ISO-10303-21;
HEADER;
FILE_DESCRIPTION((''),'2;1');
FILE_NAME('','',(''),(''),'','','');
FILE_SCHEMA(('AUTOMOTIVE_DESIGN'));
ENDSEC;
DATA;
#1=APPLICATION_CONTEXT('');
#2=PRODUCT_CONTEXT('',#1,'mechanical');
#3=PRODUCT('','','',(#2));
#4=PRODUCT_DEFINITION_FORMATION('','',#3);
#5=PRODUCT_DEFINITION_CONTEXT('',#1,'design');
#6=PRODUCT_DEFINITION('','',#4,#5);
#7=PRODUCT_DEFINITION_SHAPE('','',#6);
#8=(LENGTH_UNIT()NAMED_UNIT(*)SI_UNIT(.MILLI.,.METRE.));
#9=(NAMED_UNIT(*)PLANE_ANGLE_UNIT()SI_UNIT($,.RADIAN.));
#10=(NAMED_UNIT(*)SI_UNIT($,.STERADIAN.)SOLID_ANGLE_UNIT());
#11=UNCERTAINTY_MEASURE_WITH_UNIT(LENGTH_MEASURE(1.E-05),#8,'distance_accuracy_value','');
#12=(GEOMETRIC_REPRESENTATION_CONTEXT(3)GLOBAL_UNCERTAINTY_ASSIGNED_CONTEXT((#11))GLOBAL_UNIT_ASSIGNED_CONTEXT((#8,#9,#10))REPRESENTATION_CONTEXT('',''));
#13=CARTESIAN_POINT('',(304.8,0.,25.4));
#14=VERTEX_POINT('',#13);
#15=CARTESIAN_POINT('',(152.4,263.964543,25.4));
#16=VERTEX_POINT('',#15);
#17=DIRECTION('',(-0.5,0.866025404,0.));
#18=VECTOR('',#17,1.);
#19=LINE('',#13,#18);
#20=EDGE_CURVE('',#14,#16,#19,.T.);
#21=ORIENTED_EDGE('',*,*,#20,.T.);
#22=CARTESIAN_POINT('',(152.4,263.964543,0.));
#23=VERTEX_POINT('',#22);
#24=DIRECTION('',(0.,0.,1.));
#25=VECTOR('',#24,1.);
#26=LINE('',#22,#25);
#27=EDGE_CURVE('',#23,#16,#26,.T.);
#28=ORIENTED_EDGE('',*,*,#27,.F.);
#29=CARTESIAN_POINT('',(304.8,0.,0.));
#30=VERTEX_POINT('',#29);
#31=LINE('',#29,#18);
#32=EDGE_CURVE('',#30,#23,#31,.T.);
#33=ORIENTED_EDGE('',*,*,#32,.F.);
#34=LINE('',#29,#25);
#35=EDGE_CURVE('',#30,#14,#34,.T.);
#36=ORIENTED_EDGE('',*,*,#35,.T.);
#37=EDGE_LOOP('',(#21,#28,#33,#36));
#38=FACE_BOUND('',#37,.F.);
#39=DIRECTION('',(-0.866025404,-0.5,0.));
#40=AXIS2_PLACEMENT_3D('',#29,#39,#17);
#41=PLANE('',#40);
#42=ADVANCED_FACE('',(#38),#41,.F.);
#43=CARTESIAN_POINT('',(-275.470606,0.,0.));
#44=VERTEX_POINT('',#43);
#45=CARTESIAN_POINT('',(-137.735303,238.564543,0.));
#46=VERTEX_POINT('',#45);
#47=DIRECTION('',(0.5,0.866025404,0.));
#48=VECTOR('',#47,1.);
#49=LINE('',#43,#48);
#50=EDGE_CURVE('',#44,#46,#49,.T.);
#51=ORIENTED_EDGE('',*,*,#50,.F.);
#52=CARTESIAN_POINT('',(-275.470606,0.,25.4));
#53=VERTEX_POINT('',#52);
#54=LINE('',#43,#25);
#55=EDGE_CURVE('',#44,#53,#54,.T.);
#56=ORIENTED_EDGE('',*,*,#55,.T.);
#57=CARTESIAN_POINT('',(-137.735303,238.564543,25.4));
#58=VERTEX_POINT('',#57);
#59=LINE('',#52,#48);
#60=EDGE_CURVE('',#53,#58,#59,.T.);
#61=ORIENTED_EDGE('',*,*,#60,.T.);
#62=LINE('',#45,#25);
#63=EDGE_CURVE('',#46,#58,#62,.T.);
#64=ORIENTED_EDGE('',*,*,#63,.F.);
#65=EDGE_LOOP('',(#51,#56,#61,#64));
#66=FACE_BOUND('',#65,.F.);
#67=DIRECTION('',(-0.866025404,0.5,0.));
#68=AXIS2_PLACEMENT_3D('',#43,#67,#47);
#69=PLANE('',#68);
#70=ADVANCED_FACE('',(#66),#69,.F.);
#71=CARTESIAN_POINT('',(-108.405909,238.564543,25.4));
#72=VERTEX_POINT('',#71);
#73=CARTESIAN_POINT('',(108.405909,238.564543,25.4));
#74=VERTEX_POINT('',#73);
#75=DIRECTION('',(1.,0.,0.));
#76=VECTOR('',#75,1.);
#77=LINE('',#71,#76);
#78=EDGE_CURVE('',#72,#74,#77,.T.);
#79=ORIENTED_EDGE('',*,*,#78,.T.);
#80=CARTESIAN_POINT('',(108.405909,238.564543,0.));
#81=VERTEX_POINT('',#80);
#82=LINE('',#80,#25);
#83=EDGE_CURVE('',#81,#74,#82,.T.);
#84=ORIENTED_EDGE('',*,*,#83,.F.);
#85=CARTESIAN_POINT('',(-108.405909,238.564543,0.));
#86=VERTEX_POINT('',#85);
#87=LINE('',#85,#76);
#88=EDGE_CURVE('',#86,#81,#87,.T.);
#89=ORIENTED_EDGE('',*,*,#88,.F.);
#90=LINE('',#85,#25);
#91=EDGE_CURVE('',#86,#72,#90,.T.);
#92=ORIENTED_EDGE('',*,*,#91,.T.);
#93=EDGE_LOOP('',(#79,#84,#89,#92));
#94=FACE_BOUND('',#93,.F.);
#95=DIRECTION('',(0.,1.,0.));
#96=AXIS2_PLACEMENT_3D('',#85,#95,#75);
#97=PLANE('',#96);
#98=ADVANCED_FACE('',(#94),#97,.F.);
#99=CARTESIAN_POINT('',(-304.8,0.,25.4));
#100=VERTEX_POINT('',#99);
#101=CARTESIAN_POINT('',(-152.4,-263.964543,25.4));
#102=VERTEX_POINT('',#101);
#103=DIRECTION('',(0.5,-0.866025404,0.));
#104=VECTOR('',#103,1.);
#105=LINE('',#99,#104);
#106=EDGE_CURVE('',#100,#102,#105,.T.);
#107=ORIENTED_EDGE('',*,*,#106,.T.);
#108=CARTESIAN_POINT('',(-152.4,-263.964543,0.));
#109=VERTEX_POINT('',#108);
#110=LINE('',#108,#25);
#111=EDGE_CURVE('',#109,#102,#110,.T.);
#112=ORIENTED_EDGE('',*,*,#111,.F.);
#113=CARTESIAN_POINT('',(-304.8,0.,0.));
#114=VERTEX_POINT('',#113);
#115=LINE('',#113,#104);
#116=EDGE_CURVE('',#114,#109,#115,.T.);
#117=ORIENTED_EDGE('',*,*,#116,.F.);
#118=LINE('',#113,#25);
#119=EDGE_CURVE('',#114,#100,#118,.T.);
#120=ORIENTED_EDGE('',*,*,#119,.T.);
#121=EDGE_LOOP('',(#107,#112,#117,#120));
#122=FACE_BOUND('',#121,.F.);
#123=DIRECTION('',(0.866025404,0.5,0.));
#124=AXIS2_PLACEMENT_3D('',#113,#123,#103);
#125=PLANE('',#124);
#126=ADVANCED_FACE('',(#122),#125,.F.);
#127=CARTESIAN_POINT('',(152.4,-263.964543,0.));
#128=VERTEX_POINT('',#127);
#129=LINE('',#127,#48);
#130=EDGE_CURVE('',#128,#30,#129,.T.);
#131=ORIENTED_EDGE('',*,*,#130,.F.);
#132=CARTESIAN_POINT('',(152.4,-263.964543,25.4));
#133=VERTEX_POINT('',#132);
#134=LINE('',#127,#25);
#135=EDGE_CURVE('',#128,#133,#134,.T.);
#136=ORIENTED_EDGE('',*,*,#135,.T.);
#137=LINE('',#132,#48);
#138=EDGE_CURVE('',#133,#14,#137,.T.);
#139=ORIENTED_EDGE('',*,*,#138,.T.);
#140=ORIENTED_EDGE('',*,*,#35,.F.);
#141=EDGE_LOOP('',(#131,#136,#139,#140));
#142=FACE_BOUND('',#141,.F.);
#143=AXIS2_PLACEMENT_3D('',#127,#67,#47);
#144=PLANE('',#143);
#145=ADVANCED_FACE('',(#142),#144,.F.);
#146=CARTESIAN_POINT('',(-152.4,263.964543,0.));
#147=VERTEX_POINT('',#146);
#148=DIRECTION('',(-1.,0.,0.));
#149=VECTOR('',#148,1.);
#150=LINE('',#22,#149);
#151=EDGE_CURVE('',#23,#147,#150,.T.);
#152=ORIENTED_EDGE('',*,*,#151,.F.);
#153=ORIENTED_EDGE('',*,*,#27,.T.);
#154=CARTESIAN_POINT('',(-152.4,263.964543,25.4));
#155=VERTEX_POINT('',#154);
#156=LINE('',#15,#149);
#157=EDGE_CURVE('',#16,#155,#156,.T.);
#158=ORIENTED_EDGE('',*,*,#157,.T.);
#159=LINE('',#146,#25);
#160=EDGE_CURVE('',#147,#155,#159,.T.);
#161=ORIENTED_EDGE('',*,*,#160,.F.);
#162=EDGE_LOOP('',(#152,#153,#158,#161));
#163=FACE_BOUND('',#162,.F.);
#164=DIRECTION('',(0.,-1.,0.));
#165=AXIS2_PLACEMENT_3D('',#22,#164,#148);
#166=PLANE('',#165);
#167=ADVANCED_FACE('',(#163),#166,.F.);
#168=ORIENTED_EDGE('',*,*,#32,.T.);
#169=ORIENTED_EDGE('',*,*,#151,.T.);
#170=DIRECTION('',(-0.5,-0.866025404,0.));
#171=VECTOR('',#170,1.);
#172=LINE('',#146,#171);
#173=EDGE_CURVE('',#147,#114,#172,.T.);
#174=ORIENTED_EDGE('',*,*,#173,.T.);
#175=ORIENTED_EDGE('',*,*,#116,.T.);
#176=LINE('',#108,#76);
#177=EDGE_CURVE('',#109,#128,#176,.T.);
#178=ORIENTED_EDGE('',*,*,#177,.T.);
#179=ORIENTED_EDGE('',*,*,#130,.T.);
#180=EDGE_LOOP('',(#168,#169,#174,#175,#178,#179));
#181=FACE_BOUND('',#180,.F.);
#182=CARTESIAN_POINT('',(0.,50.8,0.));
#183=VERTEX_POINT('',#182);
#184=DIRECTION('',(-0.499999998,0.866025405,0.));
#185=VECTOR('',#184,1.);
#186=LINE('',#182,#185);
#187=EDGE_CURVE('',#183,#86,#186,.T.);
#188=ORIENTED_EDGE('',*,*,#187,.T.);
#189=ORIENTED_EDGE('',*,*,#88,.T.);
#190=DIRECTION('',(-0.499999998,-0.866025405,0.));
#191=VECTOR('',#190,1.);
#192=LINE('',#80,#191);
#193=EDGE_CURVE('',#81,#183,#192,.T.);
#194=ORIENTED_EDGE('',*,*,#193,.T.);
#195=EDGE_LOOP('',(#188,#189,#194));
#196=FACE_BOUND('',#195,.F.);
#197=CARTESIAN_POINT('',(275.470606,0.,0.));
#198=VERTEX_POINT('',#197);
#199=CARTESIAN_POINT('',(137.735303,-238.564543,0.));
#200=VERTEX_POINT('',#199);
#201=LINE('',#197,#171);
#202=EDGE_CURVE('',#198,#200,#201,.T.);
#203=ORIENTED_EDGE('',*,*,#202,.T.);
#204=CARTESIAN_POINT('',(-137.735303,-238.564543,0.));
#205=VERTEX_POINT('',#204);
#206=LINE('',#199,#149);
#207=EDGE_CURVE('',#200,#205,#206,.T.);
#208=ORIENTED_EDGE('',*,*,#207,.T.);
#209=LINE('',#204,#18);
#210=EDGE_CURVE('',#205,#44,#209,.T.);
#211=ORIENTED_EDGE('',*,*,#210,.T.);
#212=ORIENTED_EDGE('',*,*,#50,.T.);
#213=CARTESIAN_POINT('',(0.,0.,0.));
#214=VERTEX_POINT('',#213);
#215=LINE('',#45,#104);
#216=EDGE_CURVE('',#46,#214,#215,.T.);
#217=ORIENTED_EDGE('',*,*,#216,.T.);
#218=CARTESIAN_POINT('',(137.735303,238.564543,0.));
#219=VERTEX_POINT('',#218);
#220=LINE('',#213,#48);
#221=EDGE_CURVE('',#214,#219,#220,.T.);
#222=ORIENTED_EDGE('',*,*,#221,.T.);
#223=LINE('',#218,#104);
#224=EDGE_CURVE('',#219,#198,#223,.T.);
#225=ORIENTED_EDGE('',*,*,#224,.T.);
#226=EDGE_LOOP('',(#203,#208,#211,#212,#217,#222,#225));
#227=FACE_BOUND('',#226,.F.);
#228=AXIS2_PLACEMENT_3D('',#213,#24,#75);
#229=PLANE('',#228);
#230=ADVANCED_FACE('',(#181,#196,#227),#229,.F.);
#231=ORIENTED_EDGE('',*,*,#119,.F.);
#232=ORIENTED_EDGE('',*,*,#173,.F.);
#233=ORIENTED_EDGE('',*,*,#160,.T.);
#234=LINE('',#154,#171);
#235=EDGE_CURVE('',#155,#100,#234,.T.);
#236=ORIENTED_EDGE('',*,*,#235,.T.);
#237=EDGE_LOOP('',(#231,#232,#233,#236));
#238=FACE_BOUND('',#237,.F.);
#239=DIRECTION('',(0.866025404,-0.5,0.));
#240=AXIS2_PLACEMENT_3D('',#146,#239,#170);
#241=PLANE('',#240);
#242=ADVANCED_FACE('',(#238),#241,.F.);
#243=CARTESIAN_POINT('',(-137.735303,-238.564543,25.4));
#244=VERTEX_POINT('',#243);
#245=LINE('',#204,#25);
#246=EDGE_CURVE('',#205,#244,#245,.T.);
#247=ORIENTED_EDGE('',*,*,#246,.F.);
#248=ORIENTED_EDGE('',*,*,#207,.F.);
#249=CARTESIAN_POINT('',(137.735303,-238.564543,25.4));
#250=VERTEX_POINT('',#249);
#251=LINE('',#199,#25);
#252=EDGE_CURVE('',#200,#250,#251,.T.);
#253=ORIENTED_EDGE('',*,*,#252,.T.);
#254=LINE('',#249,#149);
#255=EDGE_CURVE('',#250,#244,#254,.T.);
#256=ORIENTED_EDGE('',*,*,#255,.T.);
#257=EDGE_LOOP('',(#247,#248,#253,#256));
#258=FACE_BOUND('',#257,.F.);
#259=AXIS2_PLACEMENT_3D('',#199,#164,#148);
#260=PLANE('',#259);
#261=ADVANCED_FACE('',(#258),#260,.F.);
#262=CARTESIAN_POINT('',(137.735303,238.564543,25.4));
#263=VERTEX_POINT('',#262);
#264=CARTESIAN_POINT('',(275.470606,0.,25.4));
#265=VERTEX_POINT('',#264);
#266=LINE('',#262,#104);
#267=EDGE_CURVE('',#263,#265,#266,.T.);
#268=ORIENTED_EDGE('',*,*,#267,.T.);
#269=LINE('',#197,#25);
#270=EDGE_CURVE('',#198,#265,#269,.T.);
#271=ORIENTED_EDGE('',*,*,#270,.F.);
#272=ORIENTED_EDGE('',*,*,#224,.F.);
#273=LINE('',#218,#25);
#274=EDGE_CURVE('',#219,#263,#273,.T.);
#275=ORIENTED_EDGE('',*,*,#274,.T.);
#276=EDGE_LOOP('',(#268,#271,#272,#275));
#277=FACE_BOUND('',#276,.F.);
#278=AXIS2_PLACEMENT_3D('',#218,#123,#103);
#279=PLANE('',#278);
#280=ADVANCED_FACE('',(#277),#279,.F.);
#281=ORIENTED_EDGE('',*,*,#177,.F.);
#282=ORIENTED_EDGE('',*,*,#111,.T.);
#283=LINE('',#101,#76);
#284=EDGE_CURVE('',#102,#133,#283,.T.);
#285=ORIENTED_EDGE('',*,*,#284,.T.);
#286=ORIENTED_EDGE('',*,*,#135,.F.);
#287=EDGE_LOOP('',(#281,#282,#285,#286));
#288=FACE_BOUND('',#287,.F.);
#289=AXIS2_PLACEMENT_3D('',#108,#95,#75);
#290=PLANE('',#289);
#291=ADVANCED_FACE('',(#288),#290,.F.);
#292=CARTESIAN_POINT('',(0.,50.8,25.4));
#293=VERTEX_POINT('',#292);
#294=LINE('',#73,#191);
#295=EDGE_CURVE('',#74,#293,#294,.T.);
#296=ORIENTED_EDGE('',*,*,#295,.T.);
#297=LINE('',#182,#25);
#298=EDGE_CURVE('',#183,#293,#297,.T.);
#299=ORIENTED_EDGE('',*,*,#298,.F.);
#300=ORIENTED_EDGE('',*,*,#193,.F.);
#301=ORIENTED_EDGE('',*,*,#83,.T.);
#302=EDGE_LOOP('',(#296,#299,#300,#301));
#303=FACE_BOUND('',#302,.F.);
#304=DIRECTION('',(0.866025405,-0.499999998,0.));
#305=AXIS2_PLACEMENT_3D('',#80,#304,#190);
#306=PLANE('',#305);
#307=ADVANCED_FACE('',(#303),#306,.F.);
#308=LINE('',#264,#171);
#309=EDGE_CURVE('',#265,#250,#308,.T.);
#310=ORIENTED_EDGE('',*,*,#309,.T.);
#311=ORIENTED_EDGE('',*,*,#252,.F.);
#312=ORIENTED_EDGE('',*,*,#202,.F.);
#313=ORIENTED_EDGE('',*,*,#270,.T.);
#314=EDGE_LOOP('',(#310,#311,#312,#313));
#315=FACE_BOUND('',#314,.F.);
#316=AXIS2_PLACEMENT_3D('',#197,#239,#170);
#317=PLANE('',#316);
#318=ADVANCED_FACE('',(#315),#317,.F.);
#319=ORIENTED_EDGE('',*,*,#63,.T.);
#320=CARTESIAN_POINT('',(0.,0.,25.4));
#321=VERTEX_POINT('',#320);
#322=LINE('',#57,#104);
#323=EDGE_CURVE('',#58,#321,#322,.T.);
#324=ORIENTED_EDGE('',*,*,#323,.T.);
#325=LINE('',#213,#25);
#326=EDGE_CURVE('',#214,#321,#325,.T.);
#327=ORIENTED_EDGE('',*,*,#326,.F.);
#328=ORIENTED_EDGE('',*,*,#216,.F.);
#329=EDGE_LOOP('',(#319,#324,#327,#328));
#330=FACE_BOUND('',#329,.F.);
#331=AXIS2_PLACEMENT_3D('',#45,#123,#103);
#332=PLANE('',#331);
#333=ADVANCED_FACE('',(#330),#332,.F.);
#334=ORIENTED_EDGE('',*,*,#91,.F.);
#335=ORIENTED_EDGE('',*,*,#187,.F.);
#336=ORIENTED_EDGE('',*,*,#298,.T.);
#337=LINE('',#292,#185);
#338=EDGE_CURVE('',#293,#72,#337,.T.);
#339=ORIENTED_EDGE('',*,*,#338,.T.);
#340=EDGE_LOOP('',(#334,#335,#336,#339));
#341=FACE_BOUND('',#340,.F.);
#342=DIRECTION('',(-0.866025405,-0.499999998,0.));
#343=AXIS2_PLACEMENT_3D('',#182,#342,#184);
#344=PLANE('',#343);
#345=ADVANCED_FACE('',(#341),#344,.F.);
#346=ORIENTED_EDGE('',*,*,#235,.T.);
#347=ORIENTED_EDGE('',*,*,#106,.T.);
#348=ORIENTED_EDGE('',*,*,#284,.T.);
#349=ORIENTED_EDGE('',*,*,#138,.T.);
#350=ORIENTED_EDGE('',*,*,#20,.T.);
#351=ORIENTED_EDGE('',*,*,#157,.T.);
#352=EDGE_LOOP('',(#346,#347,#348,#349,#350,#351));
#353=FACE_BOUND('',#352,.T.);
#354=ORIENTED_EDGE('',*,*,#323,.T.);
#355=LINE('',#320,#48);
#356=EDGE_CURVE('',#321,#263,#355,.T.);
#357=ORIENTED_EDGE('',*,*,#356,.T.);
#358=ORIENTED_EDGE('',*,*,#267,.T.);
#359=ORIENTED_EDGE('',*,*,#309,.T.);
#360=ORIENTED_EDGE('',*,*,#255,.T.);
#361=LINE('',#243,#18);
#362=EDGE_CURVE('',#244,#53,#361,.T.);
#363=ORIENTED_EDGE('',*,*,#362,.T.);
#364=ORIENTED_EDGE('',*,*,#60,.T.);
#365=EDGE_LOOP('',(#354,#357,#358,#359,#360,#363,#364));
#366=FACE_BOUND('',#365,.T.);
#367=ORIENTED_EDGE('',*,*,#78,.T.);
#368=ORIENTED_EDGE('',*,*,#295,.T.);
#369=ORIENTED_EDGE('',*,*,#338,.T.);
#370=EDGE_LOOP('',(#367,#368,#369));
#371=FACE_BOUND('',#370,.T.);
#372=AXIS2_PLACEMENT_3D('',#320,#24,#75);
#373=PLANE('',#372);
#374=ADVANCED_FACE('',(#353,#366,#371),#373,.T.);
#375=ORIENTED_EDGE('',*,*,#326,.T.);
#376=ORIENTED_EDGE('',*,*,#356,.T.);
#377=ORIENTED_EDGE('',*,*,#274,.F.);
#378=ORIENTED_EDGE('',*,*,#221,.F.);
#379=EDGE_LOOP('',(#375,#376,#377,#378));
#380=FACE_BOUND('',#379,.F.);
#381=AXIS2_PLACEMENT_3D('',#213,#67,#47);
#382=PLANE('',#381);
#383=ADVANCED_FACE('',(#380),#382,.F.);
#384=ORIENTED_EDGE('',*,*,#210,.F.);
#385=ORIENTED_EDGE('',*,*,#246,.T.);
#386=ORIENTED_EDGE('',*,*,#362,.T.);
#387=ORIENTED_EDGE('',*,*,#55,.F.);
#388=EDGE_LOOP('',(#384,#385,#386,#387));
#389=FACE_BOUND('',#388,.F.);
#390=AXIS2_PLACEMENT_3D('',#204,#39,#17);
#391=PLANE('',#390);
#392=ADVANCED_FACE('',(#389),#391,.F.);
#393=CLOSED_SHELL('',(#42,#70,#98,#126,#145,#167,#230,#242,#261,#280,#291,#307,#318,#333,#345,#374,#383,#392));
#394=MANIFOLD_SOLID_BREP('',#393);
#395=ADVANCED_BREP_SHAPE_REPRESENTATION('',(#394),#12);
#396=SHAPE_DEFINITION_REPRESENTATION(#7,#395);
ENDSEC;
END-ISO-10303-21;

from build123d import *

# Parameters (mm, degrees)
F1_DEPTH = 25.4


with BuildPart() as f1:
    # F0 (on Top) → F1 (new body)
    with BuildSketch(Plane.XY):
        Polygon((152.4, 263.964543), (-152.4, 263.964543), (-304.8, 0), (-152.4, -263.964543), (152.4, -263.964543), (304.8, 0), align=None)
        Polygon((-137.735303, -238.564543), (-275.470606, 0), (-137.735303, 238.564543), (0, 0), (137.735303, 238.564543), (275.470606, 0), (137.735303, -238.564543), align=None, mode=Mode.SUBTRACT)
        Polygon((0, 50.8), (-108.405909, 238.564543), (108.405909, 238.564543), align=None, mode=Mode.SUBTRACT)
    extrude(amount=F1_DEPTH)


solid = f1.part
